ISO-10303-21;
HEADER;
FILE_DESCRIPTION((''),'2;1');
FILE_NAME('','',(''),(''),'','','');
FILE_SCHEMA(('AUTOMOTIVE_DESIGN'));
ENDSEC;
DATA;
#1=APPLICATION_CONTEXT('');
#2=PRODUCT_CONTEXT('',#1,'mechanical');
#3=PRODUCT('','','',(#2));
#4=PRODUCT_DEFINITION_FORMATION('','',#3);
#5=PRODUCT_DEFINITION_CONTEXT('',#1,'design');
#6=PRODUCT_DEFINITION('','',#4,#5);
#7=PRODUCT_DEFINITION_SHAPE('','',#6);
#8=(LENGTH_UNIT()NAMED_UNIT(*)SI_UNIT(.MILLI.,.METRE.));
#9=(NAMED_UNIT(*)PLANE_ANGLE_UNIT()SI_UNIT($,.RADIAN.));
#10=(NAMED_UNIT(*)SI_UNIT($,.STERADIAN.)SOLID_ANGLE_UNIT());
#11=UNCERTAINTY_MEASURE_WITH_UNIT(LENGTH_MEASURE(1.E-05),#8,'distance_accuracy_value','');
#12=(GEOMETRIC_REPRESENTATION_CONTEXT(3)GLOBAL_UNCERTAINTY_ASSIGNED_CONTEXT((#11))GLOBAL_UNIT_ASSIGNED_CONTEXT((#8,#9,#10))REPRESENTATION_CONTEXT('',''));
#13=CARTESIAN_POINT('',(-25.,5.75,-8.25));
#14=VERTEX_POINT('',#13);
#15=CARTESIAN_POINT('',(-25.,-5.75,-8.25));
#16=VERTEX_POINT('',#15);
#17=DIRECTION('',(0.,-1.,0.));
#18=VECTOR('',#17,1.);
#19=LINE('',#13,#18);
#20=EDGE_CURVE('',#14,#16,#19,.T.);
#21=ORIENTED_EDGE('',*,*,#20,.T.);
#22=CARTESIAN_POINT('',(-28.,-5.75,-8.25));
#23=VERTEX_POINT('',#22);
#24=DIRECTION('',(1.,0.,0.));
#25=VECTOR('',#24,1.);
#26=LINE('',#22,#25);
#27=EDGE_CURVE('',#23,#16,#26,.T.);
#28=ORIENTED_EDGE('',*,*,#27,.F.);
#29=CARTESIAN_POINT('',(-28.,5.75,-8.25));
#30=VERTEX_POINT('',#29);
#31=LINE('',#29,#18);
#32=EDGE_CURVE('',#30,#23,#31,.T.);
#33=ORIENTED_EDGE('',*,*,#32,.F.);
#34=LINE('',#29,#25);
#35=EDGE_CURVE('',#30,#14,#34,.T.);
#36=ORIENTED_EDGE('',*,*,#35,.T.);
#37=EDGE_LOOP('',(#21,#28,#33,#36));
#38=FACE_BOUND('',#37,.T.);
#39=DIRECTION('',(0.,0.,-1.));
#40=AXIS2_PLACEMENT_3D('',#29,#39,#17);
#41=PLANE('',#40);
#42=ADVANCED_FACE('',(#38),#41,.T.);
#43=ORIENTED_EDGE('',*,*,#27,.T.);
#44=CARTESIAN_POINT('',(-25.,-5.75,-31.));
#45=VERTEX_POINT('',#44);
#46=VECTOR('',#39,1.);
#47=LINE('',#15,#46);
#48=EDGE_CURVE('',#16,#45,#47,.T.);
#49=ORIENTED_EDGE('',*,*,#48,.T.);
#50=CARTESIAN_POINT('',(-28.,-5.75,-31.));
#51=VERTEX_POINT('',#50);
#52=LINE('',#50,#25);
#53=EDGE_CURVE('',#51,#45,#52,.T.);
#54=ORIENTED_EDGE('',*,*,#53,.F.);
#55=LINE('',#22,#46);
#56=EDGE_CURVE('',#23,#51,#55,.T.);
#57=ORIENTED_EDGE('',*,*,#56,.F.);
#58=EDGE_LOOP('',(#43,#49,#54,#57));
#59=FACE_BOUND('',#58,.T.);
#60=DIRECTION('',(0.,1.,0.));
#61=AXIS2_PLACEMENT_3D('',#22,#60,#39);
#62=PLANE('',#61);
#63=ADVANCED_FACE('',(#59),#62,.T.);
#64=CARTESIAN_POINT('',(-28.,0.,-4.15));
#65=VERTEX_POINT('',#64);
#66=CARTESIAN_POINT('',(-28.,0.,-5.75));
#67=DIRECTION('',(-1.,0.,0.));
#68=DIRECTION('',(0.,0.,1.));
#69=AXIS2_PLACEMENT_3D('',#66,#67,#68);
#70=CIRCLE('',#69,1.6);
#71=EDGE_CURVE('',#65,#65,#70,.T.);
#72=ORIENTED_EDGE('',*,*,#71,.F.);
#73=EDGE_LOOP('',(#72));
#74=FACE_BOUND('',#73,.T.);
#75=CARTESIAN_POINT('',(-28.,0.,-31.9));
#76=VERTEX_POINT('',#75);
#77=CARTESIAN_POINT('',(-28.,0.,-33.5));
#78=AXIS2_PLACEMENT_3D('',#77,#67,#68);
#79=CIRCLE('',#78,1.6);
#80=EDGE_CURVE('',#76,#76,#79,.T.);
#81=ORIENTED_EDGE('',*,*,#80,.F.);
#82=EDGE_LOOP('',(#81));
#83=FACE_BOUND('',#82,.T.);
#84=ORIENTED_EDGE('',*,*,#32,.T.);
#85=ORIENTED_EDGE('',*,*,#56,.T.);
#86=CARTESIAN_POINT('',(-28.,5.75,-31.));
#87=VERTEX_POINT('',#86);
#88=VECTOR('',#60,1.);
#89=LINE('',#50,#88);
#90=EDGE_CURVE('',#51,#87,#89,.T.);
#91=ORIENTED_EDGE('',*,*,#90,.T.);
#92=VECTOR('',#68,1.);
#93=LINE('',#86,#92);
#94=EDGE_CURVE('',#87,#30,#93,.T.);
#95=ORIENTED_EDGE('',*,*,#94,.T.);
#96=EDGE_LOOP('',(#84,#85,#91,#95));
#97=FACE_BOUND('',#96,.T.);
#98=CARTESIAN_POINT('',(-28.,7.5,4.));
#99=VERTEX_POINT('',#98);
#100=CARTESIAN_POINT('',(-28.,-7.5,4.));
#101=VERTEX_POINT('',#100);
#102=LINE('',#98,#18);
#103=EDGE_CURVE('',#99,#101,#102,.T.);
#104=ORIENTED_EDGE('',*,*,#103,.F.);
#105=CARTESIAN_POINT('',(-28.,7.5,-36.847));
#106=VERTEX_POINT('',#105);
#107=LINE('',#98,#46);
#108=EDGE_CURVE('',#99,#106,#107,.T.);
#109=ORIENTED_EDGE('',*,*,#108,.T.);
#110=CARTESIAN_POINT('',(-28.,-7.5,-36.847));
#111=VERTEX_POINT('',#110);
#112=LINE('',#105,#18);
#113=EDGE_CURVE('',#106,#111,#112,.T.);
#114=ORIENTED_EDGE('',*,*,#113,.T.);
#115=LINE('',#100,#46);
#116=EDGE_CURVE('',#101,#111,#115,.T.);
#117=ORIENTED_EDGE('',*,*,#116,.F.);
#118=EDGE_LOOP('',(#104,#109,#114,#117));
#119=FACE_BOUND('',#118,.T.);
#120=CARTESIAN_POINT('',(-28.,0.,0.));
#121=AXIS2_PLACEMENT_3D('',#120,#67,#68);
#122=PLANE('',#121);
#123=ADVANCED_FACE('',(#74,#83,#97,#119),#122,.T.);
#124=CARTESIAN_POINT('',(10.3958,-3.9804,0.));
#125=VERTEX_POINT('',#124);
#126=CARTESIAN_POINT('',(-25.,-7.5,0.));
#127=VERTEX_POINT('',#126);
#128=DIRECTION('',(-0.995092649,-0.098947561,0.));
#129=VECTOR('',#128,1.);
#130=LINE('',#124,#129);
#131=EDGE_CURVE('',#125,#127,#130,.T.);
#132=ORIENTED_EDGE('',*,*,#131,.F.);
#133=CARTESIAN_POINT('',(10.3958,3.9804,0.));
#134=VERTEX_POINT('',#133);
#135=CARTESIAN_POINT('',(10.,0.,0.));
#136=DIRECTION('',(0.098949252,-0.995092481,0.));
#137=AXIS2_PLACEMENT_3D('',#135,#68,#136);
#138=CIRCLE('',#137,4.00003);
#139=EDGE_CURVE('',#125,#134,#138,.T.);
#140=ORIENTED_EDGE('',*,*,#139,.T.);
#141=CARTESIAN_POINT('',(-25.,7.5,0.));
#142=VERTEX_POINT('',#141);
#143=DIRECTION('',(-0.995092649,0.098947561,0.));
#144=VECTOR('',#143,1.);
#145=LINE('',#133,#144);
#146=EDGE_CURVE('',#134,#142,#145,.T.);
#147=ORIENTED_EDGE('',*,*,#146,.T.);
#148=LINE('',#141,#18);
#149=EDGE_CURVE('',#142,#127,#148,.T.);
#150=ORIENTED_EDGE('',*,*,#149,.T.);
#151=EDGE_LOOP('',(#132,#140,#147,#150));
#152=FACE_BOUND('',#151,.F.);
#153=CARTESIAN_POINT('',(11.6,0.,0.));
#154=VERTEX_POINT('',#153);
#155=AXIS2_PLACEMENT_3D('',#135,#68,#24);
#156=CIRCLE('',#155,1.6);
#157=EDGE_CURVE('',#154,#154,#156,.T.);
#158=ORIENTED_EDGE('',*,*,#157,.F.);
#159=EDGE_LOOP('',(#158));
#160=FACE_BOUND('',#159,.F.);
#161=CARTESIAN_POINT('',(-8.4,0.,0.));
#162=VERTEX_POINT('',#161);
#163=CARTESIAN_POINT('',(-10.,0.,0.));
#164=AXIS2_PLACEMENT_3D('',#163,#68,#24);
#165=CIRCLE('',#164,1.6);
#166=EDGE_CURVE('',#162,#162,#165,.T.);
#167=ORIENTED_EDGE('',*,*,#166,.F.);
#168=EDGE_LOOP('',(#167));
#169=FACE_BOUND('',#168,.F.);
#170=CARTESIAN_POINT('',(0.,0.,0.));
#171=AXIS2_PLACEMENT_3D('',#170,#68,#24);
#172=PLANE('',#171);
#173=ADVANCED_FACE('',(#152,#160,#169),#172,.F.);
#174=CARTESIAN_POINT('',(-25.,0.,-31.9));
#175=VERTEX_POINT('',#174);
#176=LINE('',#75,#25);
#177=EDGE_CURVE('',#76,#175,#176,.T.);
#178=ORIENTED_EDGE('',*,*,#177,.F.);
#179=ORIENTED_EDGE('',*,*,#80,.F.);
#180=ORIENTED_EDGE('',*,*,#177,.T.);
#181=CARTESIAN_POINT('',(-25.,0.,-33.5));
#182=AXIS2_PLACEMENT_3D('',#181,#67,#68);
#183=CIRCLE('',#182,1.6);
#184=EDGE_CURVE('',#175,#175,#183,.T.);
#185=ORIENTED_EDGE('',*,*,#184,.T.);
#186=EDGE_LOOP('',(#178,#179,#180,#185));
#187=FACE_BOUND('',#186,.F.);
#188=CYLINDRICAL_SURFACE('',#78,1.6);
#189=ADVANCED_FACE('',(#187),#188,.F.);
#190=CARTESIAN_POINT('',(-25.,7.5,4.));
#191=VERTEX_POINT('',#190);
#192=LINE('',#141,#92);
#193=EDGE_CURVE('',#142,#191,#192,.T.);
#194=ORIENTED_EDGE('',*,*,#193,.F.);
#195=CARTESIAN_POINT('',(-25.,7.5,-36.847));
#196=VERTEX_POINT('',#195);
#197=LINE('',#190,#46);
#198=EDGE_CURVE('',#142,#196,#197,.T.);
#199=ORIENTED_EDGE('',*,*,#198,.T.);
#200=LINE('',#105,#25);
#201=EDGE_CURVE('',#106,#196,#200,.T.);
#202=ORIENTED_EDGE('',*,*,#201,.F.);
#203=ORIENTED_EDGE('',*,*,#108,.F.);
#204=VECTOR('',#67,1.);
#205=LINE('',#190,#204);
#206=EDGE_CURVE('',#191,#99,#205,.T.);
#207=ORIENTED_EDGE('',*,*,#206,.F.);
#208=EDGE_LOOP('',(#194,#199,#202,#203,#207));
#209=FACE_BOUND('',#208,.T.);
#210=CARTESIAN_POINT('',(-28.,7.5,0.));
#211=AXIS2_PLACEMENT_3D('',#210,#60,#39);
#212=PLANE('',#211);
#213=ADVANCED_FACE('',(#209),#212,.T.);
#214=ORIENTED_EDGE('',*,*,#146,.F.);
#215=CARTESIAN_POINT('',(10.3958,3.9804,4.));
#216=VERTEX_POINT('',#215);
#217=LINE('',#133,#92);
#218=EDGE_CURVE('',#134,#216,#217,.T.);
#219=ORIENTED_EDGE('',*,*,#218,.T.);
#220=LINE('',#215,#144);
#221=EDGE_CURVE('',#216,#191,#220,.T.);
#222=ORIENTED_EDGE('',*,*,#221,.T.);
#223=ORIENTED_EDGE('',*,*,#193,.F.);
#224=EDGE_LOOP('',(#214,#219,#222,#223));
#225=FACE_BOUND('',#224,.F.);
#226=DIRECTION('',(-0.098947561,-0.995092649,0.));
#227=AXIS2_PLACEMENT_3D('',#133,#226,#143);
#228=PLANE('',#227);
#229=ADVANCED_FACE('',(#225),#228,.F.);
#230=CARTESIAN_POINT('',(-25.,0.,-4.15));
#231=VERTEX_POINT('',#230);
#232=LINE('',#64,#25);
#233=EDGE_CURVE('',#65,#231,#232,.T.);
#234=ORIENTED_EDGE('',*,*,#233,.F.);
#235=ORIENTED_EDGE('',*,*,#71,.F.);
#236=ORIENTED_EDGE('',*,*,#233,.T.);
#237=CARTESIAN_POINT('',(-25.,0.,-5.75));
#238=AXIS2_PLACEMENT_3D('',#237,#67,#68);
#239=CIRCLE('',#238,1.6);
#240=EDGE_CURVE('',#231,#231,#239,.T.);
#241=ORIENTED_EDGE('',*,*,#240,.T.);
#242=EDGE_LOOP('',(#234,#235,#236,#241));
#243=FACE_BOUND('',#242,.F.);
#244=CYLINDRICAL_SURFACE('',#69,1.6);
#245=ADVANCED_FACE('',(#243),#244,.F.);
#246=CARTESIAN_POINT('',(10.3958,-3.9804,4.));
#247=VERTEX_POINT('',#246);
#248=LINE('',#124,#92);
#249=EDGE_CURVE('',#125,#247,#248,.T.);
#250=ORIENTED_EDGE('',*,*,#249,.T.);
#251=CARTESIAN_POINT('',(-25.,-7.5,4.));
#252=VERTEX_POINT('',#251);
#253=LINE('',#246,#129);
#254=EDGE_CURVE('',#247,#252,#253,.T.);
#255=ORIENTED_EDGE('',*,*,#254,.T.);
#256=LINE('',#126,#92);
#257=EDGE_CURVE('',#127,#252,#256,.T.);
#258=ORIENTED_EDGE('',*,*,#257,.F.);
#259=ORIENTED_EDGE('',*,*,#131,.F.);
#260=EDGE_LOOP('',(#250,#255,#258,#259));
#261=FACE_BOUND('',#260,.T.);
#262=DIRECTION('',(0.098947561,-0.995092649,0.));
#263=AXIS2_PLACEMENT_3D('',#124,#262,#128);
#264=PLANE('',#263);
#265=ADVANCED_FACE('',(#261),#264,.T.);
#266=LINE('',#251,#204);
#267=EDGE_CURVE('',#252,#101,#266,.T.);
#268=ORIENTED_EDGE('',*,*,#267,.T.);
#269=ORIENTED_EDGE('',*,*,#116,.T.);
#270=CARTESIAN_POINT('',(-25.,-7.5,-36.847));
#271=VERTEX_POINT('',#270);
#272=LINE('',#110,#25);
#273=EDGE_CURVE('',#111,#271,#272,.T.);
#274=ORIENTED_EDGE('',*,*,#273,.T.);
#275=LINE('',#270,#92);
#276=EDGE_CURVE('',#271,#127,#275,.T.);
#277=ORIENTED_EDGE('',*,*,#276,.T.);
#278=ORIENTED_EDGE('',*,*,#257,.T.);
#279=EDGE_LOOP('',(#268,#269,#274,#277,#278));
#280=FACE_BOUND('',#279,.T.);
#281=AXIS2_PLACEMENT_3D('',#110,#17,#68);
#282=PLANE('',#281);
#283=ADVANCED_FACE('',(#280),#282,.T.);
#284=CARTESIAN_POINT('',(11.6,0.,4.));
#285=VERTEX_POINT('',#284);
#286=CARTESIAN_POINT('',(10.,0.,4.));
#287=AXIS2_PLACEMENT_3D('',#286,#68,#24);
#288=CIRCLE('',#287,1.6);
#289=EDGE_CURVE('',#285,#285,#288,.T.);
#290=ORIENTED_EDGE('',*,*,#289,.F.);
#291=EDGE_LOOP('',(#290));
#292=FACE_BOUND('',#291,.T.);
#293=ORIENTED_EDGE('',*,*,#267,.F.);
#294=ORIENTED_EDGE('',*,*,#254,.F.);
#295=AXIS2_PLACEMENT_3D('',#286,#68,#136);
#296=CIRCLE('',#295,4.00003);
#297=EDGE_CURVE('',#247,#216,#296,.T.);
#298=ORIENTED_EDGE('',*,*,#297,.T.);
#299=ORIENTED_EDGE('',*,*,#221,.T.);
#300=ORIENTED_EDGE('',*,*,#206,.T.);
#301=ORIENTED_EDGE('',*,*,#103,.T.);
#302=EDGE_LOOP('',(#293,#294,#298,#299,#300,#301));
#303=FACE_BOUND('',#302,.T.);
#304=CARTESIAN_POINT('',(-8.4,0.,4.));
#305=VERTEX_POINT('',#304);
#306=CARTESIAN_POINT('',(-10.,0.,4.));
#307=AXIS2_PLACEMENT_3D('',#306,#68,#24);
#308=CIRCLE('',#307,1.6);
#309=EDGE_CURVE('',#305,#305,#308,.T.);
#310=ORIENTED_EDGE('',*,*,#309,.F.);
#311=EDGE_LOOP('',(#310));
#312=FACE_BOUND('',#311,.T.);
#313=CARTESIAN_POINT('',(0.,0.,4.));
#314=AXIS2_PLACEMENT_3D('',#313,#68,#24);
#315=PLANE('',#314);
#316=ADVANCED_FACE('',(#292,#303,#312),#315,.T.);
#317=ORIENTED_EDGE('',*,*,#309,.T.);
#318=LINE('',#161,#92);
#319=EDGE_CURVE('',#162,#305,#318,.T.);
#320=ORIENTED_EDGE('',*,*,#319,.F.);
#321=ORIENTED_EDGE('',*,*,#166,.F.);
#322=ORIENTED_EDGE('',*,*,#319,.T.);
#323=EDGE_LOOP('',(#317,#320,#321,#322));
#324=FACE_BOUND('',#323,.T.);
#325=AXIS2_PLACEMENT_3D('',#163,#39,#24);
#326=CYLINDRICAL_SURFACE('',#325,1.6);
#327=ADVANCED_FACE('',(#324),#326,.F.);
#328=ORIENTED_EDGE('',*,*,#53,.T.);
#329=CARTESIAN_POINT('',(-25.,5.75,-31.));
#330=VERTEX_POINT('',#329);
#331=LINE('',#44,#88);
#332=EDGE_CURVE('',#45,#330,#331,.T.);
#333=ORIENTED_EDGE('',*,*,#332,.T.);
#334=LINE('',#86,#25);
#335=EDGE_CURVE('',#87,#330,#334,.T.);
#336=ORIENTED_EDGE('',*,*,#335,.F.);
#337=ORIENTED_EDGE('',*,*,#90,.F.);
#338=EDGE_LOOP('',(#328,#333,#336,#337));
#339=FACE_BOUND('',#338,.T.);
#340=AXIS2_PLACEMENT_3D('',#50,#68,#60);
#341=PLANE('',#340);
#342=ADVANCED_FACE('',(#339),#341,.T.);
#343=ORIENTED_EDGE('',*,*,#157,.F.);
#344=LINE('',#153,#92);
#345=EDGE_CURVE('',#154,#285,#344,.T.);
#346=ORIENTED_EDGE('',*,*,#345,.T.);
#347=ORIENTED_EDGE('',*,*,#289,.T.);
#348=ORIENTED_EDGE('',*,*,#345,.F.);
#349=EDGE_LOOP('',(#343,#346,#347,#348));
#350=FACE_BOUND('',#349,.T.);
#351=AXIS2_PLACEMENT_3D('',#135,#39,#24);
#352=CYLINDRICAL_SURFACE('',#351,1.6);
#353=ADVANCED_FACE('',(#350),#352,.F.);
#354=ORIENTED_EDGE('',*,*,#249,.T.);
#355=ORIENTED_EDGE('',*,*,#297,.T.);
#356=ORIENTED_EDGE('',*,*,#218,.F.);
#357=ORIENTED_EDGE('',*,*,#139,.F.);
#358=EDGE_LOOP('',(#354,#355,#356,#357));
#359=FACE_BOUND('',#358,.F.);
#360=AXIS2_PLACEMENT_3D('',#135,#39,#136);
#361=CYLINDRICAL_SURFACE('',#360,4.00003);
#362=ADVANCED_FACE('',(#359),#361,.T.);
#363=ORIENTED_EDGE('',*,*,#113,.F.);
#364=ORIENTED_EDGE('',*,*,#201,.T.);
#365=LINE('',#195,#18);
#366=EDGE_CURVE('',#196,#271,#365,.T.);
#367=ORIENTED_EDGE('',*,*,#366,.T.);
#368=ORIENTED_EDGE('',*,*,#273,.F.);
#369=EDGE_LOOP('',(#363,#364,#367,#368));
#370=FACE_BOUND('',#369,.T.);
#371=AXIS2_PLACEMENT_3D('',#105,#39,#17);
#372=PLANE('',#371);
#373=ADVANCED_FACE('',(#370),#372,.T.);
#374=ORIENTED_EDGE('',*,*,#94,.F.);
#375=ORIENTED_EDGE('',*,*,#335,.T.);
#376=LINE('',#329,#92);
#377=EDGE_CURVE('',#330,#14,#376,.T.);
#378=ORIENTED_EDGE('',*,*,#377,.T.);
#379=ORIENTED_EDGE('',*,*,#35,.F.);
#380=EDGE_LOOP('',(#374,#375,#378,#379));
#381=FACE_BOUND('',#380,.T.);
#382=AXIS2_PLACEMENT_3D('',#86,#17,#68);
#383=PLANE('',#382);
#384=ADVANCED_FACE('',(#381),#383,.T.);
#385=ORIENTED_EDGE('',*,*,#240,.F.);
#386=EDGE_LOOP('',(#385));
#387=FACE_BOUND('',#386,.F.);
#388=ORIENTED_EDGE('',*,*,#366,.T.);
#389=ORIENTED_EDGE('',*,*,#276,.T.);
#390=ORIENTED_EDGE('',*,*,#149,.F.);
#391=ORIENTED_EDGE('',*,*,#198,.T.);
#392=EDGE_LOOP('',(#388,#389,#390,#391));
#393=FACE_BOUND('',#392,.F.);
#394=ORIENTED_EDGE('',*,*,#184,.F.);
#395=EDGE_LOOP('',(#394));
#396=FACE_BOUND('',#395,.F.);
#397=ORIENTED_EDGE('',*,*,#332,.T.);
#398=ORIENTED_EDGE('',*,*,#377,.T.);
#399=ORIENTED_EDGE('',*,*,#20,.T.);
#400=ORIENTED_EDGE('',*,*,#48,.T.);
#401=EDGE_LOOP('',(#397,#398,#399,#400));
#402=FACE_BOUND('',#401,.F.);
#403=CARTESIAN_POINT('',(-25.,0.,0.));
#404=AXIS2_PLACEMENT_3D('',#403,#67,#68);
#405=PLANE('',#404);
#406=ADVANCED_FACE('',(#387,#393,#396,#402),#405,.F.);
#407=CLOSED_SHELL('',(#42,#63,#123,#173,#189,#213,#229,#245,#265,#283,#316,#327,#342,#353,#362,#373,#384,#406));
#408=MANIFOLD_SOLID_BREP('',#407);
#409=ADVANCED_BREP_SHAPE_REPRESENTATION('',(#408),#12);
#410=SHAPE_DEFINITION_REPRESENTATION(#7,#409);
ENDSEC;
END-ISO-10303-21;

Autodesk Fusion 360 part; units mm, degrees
sketch "Skizze1" plane through (0, 0, 0) normal (0, 0, 1) x (1, 0, 0)
  circle A0 centre (-10, 0) radius 1.6
  circle A1 centre (10, 0) radius 1.6
  line L0 (0, 0) -> (0, 16.8871) construction
  arc A2 (10.3958, -3.9804) -> (10.3958, 3.9804) centre (10, 0) ccw
  line L1 (-28, 7.5) -> (-28, -7.5)
  line L2 (10, 0) -> (-66, 0) construction
  line L3 (-25, 7.5) -> (-25, -7.5)
  line L4 (10.3958, 3.9804) -> (-25, 7.5)
  line L5 (10.3958, -3.9804) -> (-25, -7.5)
  line L6 (-25, -7.5) -> (-28, -7.5)
  line L7 (-25, 7.5) -> (-28, 7.5)
  dimension "d1" = 20
  dimension "d2" = 4
  dimension "d3" = 3.2
  dimension "d4" = 28
  dimension "d18" = 15
  dimension "d19" = 3
extrude "Extrusion1" add sketch "Skizze1" along normal blind 4
sketch "Skizze2" plane through (-28, 0, 0) normal (-1, 0, 0) x (0, 0, 1)
  line L0 (0, 7.5) -> (0, -7.5)
  line L1 (4, -7.5) -> (4, 7.5)
  circle A0 centre (-5.75, 0) radius 1.6
  circle A1 centre (-33.5, 0) radius 1.6
  line L2 (-31, -5.75) -> (-31, 5.75)
  line L3 (-31, 5.75) -> (-8.25, 5.75)
  line L4 (-8.25, 5.75) -> (-8.25, -5.75)
  line L5 (-8.25, -5.75) -> (-31, -5.75)
  line L6 (-36.847, 7.5) -> (-36.847, -7.5)
  line L7 (-36.847, -7.5) -> (4, -7.5)
  line L8 (4, -7.5) -> (4, 7.5)
  line L9 (4, 7.5) -> (-36.847, 7.5)
  line L10 (-33.1, 0) -> (0, 0) construction
  circle A2 centre (-25, 0) radius 1.4142 construction
  line L11 (0, -7.5) -> (4, -7.5)
  line L12 (4, 7.5) -> (0, 7.5)
  dimension "d7" = 3.2
  dimension "d8" = 27.75
  dimension "d9" = 19.25
  dimension "d11" = 2.5
  dimension "d12" = 2.5
  dimension "d15" = 25
  dimension "d16" = 15
  dimension "d17" = 11.5
extrude "Extrusion2" add sketch "Skizze2" against normal blind 3 contours L0 L6 L7 L9
